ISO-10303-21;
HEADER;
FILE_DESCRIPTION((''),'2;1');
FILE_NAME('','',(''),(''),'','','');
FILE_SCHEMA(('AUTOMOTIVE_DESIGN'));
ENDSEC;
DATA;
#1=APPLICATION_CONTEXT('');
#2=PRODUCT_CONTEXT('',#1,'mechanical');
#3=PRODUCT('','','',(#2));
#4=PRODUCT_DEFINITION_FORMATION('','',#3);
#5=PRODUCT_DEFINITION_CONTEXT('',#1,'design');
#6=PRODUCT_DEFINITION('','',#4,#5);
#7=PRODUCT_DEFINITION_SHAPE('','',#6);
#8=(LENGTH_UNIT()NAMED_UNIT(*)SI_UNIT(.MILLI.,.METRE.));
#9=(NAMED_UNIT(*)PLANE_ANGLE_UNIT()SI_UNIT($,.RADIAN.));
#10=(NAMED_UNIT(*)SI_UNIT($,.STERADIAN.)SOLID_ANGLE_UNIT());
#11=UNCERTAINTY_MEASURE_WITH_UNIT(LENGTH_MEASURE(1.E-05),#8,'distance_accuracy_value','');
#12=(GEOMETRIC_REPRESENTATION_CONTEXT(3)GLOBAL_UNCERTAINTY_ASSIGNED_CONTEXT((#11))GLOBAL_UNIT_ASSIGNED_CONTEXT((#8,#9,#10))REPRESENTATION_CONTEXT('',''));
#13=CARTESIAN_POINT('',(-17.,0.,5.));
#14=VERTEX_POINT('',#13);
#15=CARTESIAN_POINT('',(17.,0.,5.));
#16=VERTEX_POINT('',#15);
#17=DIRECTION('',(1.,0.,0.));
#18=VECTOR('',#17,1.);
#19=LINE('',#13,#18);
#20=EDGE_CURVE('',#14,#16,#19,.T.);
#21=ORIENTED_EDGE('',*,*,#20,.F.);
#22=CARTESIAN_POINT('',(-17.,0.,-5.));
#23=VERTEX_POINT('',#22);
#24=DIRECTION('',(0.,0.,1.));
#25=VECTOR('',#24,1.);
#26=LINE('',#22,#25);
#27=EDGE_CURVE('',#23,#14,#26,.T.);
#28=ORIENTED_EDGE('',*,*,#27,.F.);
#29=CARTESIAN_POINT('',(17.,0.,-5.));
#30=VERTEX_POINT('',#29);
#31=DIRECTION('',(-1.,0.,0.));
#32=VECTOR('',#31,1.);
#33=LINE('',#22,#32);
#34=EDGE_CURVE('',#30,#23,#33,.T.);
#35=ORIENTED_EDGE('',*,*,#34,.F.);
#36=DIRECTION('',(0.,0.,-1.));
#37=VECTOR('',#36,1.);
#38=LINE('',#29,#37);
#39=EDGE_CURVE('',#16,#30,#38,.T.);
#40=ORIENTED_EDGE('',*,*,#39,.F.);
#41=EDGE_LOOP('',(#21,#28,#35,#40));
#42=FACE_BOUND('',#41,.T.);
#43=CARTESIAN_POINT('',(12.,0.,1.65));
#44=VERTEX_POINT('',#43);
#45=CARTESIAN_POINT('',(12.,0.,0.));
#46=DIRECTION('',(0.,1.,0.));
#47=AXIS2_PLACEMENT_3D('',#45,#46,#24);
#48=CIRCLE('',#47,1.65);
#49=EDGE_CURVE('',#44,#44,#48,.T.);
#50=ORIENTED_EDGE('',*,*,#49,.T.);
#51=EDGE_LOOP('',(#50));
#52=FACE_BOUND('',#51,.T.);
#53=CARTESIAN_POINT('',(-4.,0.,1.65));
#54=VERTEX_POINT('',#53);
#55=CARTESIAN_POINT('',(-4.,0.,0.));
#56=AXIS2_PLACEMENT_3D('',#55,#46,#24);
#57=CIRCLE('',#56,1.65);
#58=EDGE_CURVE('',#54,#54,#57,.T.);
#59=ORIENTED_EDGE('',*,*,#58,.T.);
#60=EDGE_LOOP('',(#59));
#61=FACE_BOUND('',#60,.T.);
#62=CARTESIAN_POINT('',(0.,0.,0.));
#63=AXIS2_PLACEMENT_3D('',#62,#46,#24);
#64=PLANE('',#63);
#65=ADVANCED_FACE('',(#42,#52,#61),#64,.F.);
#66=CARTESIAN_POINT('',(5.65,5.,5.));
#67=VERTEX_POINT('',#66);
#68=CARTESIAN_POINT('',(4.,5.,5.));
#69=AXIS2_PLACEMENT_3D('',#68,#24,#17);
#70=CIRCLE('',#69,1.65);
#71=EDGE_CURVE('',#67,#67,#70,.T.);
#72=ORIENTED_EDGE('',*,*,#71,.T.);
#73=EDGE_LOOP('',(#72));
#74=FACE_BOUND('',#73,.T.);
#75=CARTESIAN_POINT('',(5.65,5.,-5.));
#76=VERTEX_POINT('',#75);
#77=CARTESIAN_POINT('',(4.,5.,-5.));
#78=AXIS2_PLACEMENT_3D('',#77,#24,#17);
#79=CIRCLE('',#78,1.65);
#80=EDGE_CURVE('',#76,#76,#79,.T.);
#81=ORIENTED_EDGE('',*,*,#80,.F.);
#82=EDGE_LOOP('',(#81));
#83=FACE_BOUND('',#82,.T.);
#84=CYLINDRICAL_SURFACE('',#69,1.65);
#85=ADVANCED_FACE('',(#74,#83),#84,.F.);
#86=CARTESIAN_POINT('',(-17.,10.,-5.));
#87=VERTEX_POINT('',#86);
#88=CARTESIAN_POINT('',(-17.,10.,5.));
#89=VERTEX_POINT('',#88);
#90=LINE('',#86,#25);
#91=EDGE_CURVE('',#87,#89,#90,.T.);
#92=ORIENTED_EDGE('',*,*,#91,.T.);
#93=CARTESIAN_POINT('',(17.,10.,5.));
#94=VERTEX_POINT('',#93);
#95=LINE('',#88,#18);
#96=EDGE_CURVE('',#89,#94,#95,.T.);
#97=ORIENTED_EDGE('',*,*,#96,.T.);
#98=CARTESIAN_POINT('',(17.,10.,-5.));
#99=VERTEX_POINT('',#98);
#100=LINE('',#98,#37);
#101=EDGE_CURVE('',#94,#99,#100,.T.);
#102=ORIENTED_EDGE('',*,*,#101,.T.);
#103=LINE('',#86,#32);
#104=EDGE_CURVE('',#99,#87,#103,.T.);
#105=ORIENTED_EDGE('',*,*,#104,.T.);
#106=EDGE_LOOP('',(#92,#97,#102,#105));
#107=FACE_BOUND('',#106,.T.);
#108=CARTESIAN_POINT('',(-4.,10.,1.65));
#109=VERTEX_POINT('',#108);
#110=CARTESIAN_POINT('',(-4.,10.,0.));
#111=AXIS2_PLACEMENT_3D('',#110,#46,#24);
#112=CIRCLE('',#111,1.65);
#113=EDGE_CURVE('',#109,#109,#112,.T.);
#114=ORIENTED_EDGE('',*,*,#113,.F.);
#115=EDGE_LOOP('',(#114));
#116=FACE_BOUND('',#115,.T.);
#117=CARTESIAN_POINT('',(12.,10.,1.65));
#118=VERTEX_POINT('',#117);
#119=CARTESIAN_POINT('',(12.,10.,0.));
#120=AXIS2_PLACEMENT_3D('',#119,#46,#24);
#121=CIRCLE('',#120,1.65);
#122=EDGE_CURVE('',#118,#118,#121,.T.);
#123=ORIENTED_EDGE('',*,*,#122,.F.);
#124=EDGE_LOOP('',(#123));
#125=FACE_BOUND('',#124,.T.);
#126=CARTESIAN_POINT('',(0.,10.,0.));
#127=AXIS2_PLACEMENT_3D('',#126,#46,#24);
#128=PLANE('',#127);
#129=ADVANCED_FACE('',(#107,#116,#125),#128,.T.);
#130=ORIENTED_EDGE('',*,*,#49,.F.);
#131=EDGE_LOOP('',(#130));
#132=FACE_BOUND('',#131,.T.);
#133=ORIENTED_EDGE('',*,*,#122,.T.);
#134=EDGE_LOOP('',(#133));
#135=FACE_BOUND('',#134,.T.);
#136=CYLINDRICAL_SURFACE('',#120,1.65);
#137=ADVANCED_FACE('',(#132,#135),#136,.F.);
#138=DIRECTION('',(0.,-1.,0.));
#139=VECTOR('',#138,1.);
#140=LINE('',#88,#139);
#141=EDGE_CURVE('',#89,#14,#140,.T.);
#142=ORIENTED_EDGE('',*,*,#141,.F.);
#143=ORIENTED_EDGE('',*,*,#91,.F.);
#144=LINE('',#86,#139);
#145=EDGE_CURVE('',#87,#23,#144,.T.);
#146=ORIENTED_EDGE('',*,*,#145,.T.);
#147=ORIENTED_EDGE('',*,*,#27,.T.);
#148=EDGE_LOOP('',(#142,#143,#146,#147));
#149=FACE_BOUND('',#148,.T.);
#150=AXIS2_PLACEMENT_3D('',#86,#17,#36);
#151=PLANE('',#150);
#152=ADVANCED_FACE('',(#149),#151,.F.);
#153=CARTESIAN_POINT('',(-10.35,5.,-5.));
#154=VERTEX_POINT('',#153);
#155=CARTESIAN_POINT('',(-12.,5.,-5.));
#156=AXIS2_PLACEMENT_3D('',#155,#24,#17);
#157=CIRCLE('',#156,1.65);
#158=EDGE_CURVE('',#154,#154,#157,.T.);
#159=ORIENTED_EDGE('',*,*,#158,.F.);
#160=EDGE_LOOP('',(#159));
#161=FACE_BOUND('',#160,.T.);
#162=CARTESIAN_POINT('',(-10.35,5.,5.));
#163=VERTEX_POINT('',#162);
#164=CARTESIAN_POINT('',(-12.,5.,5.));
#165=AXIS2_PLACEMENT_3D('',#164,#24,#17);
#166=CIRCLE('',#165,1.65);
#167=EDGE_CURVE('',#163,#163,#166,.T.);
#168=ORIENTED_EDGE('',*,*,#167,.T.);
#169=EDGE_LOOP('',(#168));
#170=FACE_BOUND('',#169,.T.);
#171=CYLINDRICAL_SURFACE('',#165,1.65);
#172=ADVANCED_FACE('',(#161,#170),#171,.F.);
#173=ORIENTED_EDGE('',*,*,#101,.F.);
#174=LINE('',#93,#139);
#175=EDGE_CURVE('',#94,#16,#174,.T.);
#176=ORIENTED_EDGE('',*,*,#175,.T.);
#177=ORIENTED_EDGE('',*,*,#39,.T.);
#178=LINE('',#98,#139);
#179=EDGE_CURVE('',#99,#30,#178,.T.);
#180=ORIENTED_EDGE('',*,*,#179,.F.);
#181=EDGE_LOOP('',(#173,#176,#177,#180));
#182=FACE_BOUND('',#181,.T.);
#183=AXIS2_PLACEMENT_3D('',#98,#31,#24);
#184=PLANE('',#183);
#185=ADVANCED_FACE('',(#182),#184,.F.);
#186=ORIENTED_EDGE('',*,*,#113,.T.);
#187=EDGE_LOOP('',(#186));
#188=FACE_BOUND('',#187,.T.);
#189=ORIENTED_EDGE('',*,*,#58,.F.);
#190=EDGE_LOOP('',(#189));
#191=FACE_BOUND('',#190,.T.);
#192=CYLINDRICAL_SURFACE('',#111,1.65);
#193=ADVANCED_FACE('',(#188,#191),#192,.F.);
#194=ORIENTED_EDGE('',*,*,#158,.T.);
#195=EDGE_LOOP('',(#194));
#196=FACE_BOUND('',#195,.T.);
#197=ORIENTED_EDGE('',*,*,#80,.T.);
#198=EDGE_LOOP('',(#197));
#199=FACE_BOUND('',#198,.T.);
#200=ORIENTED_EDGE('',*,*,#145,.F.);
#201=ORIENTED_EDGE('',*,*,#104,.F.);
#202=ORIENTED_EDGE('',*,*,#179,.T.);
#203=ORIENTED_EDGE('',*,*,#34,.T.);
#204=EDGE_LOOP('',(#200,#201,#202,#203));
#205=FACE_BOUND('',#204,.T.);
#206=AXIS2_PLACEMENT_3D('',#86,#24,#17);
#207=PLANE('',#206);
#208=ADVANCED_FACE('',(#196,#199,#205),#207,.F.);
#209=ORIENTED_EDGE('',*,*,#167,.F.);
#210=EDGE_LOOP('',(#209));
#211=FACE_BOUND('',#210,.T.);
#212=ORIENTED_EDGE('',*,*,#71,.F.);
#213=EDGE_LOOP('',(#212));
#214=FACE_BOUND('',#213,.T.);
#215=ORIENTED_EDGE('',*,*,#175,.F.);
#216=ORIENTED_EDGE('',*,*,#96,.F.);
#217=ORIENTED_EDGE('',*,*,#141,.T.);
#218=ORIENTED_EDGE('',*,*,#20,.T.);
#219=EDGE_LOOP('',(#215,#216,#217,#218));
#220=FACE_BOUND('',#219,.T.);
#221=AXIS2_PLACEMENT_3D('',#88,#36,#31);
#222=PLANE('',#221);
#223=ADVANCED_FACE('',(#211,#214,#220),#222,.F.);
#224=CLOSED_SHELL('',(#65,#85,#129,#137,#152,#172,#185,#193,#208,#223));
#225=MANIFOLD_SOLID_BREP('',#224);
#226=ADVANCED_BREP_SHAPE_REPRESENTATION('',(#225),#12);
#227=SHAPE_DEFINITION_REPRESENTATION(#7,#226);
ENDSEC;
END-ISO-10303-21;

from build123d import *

# Parameters (mm, degrees)
SKETCH_1_W         = 34
SKETCH_1_H         = 10
EXTRUDE_1_DEPTH    = 10
HOLE_WIZARD_M4_1_D = 3.3
HOLE_WIZARD_M4_3_D = 3.3


with BuildPart() as part:
    # 草图1 → 凸台-拉伸1 (new body)
    with BuildSketch(Plane(origin=(0, 0, 0), x_dir=(1, 0, 0), z_dir=(0, 1, 0))):
        Rectangle(SKETCH_1_W, SKETCH_1_H)
    extrude(amount=EXTRUDE_1_DEPTH)

    # M4 螺纹孔1 (through all)
    with Locations(Plane.XY.offset(5)):
        with Locations((4, 5), (-12, 5)):
            Hole(HOLE_WIZARD_M4_1_D / 2)

    # M4 螺纹孔3 (through all)
    with Locations(Plane(origin=(0, 10, 0), x_dir=(1, 0, 0), z_dir=(0, 1, 0))):
        with Locations((-4, 0), (12, 0)):
            Hole(HOLE_WIZARD_M4_3_D / 2)


solid = part.part
